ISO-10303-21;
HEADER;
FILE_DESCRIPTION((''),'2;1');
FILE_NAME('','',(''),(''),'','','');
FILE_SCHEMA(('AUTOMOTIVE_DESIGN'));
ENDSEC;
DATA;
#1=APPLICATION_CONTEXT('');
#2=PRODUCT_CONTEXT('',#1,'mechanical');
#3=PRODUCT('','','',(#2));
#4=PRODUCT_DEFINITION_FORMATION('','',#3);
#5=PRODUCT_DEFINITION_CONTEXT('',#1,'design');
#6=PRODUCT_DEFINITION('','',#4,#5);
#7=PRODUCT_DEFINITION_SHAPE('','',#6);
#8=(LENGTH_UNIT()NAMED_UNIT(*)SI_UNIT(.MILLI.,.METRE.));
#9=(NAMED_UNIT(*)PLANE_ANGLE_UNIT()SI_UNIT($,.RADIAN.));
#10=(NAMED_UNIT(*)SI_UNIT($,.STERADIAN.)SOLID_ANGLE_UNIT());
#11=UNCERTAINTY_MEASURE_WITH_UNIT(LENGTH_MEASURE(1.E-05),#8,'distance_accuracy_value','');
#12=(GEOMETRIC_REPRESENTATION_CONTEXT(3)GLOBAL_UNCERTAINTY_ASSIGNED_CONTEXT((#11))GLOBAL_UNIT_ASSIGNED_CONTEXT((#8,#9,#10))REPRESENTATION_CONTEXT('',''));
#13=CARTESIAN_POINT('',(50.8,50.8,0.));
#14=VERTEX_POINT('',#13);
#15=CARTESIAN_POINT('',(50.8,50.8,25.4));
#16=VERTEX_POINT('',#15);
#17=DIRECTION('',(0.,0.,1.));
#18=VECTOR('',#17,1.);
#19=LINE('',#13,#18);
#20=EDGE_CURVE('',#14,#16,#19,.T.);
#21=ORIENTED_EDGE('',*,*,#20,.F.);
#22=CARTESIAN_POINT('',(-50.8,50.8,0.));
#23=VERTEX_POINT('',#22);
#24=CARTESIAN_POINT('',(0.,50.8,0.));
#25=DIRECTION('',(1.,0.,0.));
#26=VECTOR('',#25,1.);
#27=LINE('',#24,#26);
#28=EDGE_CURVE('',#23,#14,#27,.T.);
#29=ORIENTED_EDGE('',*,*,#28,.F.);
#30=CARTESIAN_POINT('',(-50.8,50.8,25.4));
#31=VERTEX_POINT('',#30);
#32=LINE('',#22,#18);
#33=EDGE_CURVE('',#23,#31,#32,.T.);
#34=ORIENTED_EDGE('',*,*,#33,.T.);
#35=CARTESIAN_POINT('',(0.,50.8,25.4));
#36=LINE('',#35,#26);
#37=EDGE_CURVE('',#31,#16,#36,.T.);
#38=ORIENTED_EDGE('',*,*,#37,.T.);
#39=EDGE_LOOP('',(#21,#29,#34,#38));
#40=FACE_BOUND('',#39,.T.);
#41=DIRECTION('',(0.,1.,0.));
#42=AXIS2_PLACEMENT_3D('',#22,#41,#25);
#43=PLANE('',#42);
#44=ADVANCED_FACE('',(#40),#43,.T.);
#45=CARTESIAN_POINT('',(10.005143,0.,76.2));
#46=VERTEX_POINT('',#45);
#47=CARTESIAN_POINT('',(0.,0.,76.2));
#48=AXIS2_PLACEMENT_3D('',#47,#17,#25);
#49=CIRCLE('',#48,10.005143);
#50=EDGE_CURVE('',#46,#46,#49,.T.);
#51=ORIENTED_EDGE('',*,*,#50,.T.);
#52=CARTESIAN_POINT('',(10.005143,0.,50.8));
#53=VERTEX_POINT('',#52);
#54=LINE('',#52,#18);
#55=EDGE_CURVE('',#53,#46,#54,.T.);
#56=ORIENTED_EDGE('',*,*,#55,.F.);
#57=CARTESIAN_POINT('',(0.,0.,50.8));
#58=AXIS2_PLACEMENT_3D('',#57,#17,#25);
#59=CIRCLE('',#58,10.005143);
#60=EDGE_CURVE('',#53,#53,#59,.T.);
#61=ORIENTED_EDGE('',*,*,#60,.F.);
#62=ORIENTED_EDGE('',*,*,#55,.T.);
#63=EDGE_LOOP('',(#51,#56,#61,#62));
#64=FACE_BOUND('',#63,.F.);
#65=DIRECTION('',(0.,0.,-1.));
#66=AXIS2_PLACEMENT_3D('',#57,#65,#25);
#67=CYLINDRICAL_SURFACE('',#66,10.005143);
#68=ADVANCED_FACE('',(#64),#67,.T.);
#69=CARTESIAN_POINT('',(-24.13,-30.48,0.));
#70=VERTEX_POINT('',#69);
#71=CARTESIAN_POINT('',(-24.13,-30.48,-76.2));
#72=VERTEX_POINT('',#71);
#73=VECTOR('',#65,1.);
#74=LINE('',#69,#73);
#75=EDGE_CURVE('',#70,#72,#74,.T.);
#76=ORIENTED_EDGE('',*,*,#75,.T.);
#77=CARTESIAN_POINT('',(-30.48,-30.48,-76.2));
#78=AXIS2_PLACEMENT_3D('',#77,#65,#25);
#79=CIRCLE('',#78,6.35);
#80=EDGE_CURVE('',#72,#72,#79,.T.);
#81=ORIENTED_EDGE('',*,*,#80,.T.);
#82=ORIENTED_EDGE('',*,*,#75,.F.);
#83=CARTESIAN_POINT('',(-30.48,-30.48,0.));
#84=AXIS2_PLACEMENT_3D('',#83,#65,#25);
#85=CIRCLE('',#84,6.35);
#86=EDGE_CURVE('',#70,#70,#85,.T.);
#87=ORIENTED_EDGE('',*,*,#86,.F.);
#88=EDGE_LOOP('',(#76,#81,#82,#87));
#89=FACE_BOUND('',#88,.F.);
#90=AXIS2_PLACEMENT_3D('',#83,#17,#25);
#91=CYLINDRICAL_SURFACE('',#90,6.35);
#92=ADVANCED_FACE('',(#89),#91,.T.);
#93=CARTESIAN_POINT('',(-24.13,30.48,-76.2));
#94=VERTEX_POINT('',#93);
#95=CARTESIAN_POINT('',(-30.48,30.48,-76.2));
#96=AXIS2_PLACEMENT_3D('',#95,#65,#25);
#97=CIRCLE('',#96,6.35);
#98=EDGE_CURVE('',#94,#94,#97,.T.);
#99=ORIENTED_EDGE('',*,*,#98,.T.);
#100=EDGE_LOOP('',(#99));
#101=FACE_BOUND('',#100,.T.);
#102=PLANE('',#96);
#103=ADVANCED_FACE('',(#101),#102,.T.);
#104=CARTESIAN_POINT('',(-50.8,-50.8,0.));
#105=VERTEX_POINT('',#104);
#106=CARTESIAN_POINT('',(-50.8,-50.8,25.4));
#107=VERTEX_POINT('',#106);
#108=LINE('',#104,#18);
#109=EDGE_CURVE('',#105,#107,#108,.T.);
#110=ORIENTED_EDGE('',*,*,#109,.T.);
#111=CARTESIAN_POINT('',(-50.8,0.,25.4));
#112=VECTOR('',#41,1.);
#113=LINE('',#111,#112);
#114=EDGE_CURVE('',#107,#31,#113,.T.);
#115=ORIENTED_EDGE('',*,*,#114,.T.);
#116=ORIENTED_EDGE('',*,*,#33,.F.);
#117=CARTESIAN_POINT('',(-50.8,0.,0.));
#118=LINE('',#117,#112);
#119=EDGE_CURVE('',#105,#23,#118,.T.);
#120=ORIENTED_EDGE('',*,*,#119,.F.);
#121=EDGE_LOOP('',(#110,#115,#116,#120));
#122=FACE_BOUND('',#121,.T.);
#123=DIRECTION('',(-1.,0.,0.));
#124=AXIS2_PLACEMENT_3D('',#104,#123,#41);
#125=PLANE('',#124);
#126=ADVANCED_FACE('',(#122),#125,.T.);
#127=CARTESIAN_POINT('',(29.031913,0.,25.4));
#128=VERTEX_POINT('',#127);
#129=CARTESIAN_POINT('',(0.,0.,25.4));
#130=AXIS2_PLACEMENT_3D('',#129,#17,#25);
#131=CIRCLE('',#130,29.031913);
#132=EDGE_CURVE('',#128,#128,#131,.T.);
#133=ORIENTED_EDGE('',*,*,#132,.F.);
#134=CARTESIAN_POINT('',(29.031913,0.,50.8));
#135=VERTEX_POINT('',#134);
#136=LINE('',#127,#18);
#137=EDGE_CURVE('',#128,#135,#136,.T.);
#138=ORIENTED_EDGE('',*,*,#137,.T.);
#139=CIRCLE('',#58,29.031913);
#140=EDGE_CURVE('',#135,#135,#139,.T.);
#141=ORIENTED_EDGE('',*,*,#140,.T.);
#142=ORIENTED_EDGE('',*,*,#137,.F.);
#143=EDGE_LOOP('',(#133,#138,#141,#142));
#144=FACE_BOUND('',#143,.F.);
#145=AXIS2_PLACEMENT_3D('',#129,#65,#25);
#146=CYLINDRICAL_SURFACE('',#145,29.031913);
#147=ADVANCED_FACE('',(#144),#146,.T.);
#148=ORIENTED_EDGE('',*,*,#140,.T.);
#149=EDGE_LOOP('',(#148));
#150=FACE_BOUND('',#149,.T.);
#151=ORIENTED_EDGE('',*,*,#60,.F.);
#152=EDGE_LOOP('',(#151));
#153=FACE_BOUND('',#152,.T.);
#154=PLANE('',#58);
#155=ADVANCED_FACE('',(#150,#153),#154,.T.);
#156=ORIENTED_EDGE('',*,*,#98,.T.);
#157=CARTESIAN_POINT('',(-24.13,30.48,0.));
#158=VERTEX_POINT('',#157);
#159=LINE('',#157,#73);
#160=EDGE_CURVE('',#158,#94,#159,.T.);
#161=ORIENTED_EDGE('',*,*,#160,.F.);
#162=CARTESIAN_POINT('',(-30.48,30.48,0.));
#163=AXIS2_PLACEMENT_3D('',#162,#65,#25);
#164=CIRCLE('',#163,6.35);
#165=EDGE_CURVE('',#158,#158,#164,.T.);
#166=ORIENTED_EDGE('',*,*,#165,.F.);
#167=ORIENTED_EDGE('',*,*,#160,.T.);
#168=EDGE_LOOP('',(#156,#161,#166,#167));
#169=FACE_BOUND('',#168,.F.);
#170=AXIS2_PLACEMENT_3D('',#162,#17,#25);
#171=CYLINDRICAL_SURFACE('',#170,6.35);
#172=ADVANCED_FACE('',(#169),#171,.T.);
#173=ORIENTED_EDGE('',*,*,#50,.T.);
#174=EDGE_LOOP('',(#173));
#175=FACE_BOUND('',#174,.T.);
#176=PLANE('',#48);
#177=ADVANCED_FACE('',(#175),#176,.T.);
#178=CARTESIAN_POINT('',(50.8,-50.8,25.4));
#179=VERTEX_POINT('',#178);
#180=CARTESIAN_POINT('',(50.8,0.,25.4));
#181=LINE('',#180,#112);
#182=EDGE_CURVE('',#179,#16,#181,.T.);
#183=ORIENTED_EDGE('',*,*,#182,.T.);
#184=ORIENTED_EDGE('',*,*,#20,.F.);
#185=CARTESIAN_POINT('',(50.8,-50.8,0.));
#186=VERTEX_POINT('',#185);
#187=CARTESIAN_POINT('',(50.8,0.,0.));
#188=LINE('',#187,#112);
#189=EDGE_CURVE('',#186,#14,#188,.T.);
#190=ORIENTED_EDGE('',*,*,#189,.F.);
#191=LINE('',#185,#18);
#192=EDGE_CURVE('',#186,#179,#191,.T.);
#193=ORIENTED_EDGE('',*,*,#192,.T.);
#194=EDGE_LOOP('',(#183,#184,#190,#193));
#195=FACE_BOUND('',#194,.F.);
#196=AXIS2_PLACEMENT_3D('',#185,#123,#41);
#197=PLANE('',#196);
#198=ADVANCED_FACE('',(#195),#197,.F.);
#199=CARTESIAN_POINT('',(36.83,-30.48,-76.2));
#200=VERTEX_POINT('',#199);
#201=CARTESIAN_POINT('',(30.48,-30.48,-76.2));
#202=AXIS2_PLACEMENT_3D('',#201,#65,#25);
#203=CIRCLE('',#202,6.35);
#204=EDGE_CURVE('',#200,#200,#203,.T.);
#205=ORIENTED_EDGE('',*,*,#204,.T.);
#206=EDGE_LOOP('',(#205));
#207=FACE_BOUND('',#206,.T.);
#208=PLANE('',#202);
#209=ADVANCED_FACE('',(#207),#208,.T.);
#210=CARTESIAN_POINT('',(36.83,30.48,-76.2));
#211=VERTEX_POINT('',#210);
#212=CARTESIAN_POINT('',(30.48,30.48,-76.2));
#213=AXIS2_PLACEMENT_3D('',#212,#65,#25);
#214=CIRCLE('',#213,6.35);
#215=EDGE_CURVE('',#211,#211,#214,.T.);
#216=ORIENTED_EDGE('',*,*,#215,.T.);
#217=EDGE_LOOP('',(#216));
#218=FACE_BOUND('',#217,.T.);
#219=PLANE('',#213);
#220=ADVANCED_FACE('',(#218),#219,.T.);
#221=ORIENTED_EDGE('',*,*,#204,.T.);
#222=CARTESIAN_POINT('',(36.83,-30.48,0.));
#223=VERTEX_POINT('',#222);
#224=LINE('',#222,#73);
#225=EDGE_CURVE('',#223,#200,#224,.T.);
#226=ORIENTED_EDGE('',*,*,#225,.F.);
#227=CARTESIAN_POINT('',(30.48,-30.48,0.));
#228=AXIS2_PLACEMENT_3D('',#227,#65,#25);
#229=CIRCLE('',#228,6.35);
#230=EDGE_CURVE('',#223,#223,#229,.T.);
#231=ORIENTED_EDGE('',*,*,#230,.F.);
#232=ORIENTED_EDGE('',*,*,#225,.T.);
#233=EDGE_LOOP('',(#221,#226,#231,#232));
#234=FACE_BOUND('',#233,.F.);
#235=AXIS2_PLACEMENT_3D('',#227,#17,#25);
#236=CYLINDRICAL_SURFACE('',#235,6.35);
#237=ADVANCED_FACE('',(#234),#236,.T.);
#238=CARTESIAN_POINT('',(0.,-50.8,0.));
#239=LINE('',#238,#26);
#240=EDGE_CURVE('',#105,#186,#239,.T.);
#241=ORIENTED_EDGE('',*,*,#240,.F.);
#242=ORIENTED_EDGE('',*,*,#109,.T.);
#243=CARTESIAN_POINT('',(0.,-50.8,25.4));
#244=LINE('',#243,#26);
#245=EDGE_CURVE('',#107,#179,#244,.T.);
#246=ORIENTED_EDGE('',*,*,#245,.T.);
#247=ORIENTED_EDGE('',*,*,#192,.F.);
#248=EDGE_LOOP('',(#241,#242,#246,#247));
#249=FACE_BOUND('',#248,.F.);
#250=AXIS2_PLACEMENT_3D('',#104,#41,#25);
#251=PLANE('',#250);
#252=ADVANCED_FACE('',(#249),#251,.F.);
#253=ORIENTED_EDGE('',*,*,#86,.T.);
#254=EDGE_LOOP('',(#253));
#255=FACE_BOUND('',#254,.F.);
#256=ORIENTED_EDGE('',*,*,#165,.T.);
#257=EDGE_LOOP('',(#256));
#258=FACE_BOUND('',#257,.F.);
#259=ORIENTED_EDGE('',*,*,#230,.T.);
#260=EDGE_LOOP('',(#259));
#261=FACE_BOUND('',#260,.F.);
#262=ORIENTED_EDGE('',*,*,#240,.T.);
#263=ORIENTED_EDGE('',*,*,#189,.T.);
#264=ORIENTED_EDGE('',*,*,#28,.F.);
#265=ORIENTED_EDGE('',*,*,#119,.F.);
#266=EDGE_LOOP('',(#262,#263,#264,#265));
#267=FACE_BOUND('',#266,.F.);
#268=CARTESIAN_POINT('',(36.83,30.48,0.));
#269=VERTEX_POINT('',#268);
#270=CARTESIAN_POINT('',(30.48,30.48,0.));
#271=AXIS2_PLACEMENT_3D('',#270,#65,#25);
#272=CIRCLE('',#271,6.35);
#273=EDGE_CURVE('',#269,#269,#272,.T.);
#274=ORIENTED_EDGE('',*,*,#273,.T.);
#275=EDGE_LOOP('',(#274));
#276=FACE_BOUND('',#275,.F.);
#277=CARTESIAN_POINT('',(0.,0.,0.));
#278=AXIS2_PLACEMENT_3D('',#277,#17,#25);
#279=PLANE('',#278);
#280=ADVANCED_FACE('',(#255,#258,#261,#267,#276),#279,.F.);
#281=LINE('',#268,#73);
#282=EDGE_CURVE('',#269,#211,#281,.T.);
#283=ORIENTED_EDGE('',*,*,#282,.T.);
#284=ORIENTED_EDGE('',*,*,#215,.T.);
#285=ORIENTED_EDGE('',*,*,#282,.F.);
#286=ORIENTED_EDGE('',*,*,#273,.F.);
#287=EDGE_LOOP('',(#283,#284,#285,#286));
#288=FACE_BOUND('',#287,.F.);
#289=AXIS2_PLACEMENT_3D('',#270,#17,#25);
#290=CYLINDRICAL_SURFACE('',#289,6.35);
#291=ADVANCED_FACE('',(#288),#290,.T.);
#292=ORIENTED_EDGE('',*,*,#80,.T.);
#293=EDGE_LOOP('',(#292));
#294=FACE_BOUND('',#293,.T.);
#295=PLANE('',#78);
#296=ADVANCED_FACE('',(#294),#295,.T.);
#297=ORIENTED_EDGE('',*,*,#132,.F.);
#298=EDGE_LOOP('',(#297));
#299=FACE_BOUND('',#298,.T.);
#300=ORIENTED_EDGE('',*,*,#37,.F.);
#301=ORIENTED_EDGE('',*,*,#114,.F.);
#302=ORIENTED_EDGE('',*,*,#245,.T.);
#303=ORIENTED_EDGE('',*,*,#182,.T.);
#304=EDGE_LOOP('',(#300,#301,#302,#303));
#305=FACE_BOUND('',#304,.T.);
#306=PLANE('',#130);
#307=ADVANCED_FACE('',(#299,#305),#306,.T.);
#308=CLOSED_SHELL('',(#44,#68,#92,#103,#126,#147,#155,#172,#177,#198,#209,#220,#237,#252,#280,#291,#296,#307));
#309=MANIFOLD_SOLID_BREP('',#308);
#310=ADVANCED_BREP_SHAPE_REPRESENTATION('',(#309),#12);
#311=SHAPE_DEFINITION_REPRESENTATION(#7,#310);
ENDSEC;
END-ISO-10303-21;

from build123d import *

# Parameters (mm, degrees)
F0_W     = 101.6
F0_H     = 101.6
F1_DEPTH = 25.4
F2_R     = 29.031913
F3_DEPTH = 25.4
F4_R     = 6.35
F5_DEPTH = 76.2
F6_R     = 10.005143
F7_DEPTH = 25.4


with BuildPart() as f1:
    # F0 (on Top) → F1 (new body)
    with BuildSketch(Plane.XY):
        Rectangle(F0_W, F0_H)
    extrude(amount=F1_DEPTH)

    # F2 (on face) → F3 (join)
    with BuildSketch(Plane.XY.offset(25.4)):
        Circle(F2_R)
    extrude(amount=F3_DEPTH)

    # F4 (on face) → F5 (join)
    with BuildSketch(Plane(origin=(0, 0, 0), x_dir=(1, 0, 0), z_dir=(0, 0, -1))):
        with Locations((-30.48, 30.48)):
            Circle(F4_R)
        with Locations((30.48, 30.48)):
            Circle(F4_R)
        with Locations((30.48, -30.48)):
            Circle(F4_R)
        with Locations((-30.48, -30.48)):
            Circle(F4_R)
    extrude(amount=F5_DEPTH)

    # F6 (on face) → F7 (join)
    with BuildSketch(Plane.XY.offset(50.8)):
        Circle(F6_R)
    extrude(amount=F7_DEPTH)


solid = f1.part
